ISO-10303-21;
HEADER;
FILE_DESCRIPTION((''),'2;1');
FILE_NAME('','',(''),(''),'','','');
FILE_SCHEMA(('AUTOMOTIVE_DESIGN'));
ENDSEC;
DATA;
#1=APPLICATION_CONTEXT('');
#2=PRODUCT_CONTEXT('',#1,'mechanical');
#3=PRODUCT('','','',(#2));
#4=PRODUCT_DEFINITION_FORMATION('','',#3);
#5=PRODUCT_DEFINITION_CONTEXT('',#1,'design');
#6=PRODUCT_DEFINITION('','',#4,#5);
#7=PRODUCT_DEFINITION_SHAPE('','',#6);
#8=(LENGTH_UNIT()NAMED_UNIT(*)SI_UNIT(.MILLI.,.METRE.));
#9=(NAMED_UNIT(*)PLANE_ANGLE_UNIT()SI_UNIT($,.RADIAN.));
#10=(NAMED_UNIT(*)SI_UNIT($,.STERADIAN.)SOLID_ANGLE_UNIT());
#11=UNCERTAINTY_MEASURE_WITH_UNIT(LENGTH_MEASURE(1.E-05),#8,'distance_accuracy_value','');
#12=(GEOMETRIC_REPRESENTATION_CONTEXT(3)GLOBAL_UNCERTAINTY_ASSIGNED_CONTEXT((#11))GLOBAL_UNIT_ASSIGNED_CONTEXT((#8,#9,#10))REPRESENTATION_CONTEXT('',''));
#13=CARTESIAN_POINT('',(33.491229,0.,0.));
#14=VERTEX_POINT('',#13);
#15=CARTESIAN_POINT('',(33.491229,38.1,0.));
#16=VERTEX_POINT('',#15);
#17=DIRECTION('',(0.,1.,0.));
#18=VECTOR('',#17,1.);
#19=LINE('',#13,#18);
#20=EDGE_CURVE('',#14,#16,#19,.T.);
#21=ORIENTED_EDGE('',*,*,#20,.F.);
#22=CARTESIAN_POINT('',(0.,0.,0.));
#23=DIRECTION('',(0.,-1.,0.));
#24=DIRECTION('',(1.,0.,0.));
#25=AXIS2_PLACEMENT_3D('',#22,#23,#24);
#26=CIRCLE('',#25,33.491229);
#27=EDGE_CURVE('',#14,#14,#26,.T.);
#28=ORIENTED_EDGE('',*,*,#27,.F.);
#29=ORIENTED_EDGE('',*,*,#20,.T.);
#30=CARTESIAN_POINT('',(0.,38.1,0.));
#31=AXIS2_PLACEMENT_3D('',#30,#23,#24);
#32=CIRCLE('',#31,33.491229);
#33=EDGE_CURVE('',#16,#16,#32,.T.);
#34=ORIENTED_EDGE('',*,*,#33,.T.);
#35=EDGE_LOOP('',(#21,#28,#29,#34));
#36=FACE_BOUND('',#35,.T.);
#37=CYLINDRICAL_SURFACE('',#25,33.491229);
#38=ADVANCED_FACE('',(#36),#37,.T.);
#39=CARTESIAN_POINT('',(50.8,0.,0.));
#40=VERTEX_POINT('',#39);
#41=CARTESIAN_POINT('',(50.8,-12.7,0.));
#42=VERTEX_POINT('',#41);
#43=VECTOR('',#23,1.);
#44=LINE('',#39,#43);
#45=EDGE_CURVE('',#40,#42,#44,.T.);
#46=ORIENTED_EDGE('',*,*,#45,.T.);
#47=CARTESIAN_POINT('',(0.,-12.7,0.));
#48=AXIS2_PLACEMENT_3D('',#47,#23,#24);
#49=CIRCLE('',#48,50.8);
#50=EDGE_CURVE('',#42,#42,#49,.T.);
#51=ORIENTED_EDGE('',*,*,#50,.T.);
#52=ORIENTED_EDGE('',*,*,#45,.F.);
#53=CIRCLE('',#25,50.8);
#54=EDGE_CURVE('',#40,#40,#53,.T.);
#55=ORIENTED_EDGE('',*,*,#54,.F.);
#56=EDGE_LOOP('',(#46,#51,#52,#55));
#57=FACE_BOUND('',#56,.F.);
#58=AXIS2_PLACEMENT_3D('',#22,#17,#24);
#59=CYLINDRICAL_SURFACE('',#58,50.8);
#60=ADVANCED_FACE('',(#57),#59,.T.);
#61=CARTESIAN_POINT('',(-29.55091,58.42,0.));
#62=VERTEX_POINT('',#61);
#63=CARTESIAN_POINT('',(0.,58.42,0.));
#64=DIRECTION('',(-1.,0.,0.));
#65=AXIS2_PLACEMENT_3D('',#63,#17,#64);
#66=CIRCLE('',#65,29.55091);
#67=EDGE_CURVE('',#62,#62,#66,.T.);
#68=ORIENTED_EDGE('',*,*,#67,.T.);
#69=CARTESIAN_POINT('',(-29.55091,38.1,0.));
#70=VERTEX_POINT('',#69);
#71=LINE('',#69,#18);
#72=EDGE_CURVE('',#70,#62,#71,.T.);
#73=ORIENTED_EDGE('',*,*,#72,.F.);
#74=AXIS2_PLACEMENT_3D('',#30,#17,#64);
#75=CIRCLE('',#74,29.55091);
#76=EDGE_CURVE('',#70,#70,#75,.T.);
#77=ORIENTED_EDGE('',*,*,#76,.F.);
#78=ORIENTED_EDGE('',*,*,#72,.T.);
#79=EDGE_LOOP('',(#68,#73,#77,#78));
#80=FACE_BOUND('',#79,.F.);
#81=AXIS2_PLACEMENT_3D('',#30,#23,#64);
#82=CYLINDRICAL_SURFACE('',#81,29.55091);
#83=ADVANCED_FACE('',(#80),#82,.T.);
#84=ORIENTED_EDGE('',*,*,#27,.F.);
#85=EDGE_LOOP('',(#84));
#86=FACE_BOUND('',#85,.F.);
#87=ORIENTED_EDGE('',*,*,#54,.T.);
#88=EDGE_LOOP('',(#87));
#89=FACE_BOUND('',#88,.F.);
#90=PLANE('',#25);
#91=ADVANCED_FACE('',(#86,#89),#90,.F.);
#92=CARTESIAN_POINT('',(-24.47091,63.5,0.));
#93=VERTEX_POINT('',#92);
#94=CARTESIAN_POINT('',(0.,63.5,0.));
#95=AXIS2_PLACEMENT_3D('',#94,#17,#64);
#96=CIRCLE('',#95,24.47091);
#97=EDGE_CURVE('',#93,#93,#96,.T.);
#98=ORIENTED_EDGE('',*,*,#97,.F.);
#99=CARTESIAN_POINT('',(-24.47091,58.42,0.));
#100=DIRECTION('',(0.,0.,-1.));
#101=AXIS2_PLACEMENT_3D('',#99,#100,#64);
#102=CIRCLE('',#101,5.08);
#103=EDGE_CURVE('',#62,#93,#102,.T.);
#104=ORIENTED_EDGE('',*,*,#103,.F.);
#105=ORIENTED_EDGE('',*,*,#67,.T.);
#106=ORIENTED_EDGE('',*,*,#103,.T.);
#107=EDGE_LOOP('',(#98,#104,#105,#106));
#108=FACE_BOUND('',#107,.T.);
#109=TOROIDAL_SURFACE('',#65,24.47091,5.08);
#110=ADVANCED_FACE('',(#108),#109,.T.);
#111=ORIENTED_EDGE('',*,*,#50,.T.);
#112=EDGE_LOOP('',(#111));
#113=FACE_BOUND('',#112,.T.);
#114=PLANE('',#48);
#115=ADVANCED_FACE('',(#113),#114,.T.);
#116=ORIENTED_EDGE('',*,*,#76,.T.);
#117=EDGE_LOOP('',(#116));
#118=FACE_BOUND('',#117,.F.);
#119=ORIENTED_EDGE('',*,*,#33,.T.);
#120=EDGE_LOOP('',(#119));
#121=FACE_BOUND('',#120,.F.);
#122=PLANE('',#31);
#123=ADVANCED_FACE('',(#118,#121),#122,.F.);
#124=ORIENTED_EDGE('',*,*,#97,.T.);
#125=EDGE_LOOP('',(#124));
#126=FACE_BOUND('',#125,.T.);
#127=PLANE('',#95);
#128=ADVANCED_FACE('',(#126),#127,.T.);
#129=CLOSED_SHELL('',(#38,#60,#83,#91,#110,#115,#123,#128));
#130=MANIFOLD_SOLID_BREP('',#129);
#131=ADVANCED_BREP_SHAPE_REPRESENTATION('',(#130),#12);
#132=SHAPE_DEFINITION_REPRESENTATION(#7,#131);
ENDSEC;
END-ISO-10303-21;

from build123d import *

# Parameters (mm, degrees)
F0_R     = 50.8
F1_DEPTH = 12.7
F2_R     = 33.491229
F3_DEPTH = 38.1
F4_R     = 29.55091
F5_DEPTH = 25.4
F6_R     = 5.08


with BuildPart() as f1:
    # F0 (on Front) → F1 (new body)
    with BuildSketch(Plane.XZ):
        Circle(F0_R)
    extrude(amount=F1_DEPTH)

    # F2 (on Front) → F3 (join)
    with BuildSketch(Plane.XZ):
        Circle(F2_R)
    extrude(amount=-F3_DEPTH)

    # F4 (on face) → F5 (join)
    with BuildSketch(Plane(origin=(0, 38.1, 0), x_dir=(-1, 0, 0), z_dir=(0, 1, 0))):
        Circle(F4_R)
    extrude(amount=F5_DEPTH)

    # F6
    f6_edges = [f1.edges().sort_by_distance(p)[0] for p in [
        (29.55091, 63.5, 0),
    ]]
    fillet(f6_edges, radius=F6_R)


solid = f1.part
